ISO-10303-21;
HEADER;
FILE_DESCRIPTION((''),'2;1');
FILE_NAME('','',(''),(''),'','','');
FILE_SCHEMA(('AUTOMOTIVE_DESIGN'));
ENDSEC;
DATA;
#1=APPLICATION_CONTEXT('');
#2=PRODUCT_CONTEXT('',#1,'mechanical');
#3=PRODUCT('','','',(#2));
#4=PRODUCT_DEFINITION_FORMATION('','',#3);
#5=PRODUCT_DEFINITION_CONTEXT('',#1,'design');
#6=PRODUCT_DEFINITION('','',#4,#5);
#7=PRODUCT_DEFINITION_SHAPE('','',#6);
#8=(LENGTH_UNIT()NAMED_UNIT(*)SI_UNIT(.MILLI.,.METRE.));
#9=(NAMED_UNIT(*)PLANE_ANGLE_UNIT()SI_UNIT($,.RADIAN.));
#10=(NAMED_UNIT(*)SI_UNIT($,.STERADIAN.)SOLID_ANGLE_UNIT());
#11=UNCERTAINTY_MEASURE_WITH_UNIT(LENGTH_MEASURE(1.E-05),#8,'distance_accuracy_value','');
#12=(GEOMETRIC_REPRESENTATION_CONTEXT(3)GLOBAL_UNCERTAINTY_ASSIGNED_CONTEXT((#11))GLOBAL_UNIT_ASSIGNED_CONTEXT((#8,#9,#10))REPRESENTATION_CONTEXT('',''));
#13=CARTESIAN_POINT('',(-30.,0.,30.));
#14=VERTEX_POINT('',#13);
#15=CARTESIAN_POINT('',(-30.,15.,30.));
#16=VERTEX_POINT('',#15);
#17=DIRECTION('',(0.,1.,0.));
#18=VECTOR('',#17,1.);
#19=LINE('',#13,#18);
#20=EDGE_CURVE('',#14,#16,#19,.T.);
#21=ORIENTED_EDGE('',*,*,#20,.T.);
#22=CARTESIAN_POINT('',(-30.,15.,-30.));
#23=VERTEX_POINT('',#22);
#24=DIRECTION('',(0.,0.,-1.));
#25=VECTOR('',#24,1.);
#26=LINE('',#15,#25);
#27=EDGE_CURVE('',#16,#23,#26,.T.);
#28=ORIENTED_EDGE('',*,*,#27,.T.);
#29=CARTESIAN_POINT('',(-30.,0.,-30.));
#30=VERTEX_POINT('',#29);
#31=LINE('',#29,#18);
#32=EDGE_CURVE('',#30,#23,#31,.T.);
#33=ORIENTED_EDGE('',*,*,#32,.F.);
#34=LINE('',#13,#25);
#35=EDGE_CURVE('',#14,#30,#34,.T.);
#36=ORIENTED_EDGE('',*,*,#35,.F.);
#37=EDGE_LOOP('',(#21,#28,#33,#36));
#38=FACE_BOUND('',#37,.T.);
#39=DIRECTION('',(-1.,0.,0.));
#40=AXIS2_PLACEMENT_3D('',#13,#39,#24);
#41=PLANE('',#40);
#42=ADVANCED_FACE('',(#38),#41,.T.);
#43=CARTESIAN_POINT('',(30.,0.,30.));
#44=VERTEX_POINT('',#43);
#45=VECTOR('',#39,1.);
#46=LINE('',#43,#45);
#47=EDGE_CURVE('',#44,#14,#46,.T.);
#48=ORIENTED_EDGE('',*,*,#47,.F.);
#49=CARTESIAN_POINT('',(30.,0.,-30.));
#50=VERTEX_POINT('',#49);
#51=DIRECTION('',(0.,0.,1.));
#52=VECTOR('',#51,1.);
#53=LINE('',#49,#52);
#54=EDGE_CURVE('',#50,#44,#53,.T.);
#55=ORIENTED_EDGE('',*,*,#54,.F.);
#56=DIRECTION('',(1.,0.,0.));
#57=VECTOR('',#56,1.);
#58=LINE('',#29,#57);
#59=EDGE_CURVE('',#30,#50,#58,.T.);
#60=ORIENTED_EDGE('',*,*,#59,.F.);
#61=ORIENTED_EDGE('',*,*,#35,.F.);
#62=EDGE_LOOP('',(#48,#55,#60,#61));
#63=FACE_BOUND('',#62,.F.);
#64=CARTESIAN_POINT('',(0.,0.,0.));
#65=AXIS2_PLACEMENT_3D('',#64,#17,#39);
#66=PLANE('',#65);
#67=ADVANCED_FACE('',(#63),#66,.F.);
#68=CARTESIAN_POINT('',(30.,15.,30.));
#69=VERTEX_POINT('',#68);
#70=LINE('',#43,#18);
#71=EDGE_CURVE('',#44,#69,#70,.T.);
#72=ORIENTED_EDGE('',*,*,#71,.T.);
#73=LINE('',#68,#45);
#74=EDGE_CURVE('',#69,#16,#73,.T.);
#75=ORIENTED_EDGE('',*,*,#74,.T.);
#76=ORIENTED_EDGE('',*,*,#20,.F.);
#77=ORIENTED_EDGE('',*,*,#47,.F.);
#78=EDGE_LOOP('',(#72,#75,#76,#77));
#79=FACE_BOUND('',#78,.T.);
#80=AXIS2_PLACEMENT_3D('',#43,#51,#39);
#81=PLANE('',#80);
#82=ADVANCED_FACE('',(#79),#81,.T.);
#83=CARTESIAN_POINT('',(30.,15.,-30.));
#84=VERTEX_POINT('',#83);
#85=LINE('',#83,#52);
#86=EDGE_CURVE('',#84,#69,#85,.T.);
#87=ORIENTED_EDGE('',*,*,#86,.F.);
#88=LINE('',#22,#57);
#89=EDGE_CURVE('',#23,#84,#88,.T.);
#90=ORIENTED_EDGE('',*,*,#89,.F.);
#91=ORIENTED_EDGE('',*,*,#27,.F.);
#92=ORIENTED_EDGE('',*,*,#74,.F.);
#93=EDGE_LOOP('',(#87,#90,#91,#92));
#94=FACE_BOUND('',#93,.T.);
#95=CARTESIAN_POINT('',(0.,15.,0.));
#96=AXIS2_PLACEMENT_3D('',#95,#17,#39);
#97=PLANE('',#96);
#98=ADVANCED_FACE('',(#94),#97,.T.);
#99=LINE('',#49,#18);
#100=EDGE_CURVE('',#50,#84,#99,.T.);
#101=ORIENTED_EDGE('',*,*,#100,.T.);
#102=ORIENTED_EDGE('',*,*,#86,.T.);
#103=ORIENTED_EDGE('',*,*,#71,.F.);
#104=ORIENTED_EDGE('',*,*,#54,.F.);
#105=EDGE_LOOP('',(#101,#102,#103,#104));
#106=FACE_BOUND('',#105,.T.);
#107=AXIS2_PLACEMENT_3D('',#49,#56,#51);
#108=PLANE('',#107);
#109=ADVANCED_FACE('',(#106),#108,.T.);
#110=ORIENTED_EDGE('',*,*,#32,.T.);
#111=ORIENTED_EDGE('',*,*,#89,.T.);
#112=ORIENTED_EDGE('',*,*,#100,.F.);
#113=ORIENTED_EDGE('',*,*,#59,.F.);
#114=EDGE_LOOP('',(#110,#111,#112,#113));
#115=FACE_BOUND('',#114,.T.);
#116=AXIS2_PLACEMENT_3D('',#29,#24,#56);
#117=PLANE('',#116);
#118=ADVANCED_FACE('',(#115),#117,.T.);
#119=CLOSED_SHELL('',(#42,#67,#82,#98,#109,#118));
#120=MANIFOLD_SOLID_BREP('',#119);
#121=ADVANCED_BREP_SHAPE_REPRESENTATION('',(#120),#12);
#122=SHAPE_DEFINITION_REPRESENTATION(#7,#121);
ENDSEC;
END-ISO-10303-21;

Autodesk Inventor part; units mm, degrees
ref_plane "YZ Plane" through (0, 0, 0) normal (1, 0, 0) x (0, 1, 0)
ref_plane "XZ Plane" through (0, 0, 0) normal (0, 1, 0) x (-1, 0, 0)
ref_plane "XY Plane" through (0, 0, 0) normal (0, 0, 1) x (1, 0, 0)
sketch "スケッチ1" plane through (0, 0, 0) normal (0, 1, 0) x (-1, 0, 0)
  line L0 (30, -30) -> (-30, -30)
  line L1 (-30, -30) -> (-30, 30)
  line L2 (-30, 30) -> (30, 30)
  line L3 (30, 30) -> (30, -30)
  line L4 (30, -30) -> (-30, 30) construction
  line L5 (-30, -30) -> (30, 30) construction
  point P0 (0, 0)
  dimension "d0" = 60
  dimension "d1" = 60
extrude "押し出し1" add sketch "スケッチ1" along normal blind 15
equation "\"d1\" = d0"
properties part number "DCfan_small" material "ABS プラスチック"
